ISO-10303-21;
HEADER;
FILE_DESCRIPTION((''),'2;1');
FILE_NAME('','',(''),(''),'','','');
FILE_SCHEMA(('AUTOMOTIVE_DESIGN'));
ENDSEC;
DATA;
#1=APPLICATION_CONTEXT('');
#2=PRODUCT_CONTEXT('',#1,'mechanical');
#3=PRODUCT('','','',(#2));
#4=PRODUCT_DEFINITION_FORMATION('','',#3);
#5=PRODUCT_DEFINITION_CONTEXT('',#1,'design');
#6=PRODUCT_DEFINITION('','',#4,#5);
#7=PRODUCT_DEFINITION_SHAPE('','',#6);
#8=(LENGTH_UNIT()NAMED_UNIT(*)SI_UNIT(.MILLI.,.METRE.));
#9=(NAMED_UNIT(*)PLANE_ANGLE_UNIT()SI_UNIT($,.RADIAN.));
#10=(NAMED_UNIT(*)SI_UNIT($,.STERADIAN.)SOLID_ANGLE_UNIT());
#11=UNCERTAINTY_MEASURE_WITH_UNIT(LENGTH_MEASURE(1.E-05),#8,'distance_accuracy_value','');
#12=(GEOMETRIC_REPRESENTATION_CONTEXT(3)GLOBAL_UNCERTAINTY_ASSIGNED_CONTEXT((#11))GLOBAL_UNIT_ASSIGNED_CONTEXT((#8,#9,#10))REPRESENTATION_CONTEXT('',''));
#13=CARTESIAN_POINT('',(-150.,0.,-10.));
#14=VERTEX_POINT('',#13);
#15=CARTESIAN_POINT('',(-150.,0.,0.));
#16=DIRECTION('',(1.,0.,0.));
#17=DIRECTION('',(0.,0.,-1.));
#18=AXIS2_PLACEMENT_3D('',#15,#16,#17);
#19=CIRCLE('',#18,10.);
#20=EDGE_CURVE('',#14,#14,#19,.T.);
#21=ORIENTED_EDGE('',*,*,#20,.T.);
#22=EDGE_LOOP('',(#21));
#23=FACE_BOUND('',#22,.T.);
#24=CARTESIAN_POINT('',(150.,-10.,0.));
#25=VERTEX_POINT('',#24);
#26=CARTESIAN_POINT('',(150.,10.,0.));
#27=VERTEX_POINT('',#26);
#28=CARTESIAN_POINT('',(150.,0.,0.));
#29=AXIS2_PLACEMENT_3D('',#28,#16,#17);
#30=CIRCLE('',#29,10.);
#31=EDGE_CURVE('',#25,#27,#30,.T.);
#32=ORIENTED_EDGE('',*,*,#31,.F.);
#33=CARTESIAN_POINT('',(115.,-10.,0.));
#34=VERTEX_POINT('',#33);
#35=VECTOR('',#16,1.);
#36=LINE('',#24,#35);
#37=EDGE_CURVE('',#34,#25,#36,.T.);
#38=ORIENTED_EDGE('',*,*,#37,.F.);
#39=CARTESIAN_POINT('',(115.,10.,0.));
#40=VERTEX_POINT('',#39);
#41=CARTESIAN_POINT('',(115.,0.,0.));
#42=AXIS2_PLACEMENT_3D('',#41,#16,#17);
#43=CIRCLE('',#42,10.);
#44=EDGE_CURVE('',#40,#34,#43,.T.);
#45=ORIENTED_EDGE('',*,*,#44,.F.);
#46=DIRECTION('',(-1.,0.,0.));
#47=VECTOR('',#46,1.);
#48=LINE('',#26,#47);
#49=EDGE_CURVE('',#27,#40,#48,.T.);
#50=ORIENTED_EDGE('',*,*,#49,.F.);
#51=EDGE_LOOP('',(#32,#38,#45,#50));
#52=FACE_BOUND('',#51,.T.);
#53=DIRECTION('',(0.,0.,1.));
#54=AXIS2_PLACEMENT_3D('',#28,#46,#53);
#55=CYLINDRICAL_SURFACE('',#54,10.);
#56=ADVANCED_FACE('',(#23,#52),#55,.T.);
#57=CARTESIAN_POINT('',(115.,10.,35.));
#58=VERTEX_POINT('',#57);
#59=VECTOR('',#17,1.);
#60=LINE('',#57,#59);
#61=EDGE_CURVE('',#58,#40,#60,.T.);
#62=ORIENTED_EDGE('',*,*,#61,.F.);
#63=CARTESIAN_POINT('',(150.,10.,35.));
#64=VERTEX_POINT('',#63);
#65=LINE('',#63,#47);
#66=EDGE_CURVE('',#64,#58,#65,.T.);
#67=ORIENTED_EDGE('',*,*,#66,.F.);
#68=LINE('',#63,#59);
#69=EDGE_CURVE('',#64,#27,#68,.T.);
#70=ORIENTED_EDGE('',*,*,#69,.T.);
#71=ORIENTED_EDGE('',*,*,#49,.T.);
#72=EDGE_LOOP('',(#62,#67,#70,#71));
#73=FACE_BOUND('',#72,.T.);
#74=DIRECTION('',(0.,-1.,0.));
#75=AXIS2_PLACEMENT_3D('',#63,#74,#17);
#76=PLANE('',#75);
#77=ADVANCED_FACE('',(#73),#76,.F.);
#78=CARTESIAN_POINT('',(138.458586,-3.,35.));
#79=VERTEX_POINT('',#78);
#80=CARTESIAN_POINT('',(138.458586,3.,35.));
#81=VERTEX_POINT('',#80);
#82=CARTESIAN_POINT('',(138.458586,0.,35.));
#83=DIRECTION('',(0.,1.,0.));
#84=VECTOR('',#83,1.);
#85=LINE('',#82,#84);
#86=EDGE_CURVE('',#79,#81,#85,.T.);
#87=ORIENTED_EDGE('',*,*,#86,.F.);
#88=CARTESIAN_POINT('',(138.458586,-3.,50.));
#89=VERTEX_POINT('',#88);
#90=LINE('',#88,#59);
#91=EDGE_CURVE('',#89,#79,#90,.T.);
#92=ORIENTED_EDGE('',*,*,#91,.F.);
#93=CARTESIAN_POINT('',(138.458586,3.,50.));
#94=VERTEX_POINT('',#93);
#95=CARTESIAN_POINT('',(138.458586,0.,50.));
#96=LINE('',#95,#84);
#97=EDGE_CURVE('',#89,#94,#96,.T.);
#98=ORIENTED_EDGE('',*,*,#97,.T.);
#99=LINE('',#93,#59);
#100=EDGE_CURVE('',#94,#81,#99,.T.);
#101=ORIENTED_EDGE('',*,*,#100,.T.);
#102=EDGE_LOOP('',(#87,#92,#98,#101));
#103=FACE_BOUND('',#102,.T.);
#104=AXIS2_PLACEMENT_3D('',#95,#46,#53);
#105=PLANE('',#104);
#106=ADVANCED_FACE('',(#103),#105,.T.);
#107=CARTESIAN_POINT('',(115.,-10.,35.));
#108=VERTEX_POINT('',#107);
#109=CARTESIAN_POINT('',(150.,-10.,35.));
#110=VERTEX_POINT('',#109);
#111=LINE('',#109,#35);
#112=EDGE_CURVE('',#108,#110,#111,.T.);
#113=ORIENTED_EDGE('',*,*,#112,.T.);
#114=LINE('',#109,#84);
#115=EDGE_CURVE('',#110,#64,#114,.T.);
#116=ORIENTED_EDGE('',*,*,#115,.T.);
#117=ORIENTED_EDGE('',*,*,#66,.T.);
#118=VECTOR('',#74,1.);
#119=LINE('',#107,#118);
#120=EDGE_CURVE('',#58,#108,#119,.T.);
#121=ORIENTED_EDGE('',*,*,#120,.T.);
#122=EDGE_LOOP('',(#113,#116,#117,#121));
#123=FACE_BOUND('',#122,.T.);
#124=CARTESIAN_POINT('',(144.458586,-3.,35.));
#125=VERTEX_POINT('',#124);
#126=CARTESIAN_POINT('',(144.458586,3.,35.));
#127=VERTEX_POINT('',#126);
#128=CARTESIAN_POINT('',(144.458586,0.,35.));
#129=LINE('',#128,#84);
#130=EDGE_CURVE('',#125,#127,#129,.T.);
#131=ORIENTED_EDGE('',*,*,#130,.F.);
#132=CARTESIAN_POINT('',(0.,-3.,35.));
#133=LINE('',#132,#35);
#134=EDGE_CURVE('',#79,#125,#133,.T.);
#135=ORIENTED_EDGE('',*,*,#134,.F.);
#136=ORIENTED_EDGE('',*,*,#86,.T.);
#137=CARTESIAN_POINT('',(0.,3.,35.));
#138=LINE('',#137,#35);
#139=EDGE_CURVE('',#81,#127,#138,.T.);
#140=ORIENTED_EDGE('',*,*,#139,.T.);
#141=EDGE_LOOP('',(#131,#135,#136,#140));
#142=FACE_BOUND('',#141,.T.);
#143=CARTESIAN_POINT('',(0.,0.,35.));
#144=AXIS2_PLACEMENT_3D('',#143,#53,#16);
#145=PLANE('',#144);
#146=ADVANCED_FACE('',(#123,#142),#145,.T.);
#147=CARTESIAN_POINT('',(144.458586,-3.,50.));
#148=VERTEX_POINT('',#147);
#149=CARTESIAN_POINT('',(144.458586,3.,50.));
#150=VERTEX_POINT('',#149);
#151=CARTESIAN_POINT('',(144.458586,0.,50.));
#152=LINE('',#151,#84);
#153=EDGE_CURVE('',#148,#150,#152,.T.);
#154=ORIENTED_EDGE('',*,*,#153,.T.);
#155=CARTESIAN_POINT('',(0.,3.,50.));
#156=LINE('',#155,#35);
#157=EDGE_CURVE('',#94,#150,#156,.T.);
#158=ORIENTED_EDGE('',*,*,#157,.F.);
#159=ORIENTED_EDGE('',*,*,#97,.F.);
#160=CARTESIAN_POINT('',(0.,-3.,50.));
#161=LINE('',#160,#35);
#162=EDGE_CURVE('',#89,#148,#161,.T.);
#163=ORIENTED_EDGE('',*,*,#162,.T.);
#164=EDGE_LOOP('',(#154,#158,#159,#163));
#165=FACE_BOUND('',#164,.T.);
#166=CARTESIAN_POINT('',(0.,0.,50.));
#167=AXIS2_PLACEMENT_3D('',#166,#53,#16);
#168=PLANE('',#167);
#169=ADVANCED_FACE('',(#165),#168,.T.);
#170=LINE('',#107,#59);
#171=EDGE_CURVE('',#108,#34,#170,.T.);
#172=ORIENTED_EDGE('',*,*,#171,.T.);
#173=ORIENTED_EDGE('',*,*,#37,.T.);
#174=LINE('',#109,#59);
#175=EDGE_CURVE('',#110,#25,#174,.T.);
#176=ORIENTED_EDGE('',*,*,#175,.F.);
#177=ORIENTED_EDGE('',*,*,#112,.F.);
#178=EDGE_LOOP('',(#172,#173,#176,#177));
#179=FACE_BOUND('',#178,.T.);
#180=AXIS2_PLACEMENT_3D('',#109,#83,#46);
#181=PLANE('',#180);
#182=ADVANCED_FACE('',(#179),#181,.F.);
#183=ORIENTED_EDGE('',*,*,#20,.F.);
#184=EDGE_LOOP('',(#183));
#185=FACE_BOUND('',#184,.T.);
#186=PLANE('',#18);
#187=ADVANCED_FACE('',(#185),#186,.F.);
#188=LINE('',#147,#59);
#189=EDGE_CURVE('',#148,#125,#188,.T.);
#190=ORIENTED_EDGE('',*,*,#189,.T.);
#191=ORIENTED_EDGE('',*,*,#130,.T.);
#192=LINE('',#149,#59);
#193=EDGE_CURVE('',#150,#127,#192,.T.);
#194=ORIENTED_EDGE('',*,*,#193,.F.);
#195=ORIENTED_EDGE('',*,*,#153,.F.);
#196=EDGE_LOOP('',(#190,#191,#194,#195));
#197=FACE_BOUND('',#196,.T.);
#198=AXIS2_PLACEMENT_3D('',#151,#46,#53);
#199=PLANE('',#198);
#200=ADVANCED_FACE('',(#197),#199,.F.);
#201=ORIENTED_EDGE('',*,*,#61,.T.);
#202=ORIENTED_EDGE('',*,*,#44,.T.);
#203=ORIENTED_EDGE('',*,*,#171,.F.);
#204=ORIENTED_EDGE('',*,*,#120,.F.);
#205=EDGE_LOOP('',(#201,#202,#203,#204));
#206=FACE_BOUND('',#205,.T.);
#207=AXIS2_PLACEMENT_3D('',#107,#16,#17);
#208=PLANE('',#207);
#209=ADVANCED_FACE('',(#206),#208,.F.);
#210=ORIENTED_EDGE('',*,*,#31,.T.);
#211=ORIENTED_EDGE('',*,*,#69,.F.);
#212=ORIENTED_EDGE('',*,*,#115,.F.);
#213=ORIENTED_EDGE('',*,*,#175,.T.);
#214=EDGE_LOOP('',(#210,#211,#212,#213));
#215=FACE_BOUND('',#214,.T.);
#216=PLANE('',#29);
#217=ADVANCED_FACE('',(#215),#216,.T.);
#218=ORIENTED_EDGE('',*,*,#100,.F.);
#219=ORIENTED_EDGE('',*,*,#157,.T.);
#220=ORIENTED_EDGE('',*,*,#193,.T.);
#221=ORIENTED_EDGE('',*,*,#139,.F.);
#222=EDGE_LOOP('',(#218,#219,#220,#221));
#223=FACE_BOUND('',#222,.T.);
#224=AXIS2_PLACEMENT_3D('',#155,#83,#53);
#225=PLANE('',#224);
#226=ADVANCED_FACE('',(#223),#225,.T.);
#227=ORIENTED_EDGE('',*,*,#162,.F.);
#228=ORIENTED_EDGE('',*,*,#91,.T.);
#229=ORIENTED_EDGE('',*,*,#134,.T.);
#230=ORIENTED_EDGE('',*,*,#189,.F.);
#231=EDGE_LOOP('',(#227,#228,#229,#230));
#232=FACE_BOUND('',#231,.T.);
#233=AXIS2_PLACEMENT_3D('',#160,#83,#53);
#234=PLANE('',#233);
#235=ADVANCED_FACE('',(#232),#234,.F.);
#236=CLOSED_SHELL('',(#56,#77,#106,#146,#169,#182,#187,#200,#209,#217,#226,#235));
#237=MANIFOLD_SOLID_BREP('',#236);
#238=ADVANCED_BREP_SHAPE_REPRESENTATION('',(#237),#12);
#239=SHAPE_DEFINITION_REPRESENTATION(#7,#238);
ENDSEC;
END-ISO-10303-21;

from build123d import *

# Parameters (mm, degrees)
SKETCH_1_R      = 10
EXTRUDE_1_DEPTH = 150
SKETCH_2_W      = 35
SKETCH_2_H      = 20
EXTRUDE_2_DEPTH = 35
SKETCH_3_W      = 6
SKETCH_3_H      = 6
SKETCH_3_R      = 0.5
EXTRUDE_3_DEPTH = 15


with BuildPart() as part:
    # 草图1 → 凸台-拉伸1 (new, symmetric)
    with BuildSketch(Plane(origin=(0, 0, 0), x_dir=(0, 0, -1), z_dir=(1, 0, 0))):
        Circle(SKETCH_1_R)
    extrude(amount=EXTRUDE_1_DEPTH, both=True)

    # 草图2 → 凸台-拉伸2 (add)
    with BuildSketch(Plane.XY):
        with Locations((132.5, 0)):
            Rectangle(SKETCH_2_W, SKETCH_2_H)
    extrude(amount=EXTRUDE_2_DEPTH)

    # 草图3 → 凸台-拉伸3 (add)
    # profile 1 of 2: a face of its own
    with BuildSketch(Plane.XY.offset(35)):
        with Locations((141.458586474, 0)):
            Rectangle(SKETCH_3_W, SKETCH_3_H)
        with Locations((141.458586474, 0)):
            Circle(SKETCH_3_R, mode=Mode.SUBTRACT)
    # profile 2 of 2: a face of its own
    with BuildSketch(Plane.XY.offset(35)):
        with Locations((141.458586474, 0)):
            Circle(SKETCH_3_R)
    extrude(amount=EXTRUDE_3_DEPTH)


solid = part.part
